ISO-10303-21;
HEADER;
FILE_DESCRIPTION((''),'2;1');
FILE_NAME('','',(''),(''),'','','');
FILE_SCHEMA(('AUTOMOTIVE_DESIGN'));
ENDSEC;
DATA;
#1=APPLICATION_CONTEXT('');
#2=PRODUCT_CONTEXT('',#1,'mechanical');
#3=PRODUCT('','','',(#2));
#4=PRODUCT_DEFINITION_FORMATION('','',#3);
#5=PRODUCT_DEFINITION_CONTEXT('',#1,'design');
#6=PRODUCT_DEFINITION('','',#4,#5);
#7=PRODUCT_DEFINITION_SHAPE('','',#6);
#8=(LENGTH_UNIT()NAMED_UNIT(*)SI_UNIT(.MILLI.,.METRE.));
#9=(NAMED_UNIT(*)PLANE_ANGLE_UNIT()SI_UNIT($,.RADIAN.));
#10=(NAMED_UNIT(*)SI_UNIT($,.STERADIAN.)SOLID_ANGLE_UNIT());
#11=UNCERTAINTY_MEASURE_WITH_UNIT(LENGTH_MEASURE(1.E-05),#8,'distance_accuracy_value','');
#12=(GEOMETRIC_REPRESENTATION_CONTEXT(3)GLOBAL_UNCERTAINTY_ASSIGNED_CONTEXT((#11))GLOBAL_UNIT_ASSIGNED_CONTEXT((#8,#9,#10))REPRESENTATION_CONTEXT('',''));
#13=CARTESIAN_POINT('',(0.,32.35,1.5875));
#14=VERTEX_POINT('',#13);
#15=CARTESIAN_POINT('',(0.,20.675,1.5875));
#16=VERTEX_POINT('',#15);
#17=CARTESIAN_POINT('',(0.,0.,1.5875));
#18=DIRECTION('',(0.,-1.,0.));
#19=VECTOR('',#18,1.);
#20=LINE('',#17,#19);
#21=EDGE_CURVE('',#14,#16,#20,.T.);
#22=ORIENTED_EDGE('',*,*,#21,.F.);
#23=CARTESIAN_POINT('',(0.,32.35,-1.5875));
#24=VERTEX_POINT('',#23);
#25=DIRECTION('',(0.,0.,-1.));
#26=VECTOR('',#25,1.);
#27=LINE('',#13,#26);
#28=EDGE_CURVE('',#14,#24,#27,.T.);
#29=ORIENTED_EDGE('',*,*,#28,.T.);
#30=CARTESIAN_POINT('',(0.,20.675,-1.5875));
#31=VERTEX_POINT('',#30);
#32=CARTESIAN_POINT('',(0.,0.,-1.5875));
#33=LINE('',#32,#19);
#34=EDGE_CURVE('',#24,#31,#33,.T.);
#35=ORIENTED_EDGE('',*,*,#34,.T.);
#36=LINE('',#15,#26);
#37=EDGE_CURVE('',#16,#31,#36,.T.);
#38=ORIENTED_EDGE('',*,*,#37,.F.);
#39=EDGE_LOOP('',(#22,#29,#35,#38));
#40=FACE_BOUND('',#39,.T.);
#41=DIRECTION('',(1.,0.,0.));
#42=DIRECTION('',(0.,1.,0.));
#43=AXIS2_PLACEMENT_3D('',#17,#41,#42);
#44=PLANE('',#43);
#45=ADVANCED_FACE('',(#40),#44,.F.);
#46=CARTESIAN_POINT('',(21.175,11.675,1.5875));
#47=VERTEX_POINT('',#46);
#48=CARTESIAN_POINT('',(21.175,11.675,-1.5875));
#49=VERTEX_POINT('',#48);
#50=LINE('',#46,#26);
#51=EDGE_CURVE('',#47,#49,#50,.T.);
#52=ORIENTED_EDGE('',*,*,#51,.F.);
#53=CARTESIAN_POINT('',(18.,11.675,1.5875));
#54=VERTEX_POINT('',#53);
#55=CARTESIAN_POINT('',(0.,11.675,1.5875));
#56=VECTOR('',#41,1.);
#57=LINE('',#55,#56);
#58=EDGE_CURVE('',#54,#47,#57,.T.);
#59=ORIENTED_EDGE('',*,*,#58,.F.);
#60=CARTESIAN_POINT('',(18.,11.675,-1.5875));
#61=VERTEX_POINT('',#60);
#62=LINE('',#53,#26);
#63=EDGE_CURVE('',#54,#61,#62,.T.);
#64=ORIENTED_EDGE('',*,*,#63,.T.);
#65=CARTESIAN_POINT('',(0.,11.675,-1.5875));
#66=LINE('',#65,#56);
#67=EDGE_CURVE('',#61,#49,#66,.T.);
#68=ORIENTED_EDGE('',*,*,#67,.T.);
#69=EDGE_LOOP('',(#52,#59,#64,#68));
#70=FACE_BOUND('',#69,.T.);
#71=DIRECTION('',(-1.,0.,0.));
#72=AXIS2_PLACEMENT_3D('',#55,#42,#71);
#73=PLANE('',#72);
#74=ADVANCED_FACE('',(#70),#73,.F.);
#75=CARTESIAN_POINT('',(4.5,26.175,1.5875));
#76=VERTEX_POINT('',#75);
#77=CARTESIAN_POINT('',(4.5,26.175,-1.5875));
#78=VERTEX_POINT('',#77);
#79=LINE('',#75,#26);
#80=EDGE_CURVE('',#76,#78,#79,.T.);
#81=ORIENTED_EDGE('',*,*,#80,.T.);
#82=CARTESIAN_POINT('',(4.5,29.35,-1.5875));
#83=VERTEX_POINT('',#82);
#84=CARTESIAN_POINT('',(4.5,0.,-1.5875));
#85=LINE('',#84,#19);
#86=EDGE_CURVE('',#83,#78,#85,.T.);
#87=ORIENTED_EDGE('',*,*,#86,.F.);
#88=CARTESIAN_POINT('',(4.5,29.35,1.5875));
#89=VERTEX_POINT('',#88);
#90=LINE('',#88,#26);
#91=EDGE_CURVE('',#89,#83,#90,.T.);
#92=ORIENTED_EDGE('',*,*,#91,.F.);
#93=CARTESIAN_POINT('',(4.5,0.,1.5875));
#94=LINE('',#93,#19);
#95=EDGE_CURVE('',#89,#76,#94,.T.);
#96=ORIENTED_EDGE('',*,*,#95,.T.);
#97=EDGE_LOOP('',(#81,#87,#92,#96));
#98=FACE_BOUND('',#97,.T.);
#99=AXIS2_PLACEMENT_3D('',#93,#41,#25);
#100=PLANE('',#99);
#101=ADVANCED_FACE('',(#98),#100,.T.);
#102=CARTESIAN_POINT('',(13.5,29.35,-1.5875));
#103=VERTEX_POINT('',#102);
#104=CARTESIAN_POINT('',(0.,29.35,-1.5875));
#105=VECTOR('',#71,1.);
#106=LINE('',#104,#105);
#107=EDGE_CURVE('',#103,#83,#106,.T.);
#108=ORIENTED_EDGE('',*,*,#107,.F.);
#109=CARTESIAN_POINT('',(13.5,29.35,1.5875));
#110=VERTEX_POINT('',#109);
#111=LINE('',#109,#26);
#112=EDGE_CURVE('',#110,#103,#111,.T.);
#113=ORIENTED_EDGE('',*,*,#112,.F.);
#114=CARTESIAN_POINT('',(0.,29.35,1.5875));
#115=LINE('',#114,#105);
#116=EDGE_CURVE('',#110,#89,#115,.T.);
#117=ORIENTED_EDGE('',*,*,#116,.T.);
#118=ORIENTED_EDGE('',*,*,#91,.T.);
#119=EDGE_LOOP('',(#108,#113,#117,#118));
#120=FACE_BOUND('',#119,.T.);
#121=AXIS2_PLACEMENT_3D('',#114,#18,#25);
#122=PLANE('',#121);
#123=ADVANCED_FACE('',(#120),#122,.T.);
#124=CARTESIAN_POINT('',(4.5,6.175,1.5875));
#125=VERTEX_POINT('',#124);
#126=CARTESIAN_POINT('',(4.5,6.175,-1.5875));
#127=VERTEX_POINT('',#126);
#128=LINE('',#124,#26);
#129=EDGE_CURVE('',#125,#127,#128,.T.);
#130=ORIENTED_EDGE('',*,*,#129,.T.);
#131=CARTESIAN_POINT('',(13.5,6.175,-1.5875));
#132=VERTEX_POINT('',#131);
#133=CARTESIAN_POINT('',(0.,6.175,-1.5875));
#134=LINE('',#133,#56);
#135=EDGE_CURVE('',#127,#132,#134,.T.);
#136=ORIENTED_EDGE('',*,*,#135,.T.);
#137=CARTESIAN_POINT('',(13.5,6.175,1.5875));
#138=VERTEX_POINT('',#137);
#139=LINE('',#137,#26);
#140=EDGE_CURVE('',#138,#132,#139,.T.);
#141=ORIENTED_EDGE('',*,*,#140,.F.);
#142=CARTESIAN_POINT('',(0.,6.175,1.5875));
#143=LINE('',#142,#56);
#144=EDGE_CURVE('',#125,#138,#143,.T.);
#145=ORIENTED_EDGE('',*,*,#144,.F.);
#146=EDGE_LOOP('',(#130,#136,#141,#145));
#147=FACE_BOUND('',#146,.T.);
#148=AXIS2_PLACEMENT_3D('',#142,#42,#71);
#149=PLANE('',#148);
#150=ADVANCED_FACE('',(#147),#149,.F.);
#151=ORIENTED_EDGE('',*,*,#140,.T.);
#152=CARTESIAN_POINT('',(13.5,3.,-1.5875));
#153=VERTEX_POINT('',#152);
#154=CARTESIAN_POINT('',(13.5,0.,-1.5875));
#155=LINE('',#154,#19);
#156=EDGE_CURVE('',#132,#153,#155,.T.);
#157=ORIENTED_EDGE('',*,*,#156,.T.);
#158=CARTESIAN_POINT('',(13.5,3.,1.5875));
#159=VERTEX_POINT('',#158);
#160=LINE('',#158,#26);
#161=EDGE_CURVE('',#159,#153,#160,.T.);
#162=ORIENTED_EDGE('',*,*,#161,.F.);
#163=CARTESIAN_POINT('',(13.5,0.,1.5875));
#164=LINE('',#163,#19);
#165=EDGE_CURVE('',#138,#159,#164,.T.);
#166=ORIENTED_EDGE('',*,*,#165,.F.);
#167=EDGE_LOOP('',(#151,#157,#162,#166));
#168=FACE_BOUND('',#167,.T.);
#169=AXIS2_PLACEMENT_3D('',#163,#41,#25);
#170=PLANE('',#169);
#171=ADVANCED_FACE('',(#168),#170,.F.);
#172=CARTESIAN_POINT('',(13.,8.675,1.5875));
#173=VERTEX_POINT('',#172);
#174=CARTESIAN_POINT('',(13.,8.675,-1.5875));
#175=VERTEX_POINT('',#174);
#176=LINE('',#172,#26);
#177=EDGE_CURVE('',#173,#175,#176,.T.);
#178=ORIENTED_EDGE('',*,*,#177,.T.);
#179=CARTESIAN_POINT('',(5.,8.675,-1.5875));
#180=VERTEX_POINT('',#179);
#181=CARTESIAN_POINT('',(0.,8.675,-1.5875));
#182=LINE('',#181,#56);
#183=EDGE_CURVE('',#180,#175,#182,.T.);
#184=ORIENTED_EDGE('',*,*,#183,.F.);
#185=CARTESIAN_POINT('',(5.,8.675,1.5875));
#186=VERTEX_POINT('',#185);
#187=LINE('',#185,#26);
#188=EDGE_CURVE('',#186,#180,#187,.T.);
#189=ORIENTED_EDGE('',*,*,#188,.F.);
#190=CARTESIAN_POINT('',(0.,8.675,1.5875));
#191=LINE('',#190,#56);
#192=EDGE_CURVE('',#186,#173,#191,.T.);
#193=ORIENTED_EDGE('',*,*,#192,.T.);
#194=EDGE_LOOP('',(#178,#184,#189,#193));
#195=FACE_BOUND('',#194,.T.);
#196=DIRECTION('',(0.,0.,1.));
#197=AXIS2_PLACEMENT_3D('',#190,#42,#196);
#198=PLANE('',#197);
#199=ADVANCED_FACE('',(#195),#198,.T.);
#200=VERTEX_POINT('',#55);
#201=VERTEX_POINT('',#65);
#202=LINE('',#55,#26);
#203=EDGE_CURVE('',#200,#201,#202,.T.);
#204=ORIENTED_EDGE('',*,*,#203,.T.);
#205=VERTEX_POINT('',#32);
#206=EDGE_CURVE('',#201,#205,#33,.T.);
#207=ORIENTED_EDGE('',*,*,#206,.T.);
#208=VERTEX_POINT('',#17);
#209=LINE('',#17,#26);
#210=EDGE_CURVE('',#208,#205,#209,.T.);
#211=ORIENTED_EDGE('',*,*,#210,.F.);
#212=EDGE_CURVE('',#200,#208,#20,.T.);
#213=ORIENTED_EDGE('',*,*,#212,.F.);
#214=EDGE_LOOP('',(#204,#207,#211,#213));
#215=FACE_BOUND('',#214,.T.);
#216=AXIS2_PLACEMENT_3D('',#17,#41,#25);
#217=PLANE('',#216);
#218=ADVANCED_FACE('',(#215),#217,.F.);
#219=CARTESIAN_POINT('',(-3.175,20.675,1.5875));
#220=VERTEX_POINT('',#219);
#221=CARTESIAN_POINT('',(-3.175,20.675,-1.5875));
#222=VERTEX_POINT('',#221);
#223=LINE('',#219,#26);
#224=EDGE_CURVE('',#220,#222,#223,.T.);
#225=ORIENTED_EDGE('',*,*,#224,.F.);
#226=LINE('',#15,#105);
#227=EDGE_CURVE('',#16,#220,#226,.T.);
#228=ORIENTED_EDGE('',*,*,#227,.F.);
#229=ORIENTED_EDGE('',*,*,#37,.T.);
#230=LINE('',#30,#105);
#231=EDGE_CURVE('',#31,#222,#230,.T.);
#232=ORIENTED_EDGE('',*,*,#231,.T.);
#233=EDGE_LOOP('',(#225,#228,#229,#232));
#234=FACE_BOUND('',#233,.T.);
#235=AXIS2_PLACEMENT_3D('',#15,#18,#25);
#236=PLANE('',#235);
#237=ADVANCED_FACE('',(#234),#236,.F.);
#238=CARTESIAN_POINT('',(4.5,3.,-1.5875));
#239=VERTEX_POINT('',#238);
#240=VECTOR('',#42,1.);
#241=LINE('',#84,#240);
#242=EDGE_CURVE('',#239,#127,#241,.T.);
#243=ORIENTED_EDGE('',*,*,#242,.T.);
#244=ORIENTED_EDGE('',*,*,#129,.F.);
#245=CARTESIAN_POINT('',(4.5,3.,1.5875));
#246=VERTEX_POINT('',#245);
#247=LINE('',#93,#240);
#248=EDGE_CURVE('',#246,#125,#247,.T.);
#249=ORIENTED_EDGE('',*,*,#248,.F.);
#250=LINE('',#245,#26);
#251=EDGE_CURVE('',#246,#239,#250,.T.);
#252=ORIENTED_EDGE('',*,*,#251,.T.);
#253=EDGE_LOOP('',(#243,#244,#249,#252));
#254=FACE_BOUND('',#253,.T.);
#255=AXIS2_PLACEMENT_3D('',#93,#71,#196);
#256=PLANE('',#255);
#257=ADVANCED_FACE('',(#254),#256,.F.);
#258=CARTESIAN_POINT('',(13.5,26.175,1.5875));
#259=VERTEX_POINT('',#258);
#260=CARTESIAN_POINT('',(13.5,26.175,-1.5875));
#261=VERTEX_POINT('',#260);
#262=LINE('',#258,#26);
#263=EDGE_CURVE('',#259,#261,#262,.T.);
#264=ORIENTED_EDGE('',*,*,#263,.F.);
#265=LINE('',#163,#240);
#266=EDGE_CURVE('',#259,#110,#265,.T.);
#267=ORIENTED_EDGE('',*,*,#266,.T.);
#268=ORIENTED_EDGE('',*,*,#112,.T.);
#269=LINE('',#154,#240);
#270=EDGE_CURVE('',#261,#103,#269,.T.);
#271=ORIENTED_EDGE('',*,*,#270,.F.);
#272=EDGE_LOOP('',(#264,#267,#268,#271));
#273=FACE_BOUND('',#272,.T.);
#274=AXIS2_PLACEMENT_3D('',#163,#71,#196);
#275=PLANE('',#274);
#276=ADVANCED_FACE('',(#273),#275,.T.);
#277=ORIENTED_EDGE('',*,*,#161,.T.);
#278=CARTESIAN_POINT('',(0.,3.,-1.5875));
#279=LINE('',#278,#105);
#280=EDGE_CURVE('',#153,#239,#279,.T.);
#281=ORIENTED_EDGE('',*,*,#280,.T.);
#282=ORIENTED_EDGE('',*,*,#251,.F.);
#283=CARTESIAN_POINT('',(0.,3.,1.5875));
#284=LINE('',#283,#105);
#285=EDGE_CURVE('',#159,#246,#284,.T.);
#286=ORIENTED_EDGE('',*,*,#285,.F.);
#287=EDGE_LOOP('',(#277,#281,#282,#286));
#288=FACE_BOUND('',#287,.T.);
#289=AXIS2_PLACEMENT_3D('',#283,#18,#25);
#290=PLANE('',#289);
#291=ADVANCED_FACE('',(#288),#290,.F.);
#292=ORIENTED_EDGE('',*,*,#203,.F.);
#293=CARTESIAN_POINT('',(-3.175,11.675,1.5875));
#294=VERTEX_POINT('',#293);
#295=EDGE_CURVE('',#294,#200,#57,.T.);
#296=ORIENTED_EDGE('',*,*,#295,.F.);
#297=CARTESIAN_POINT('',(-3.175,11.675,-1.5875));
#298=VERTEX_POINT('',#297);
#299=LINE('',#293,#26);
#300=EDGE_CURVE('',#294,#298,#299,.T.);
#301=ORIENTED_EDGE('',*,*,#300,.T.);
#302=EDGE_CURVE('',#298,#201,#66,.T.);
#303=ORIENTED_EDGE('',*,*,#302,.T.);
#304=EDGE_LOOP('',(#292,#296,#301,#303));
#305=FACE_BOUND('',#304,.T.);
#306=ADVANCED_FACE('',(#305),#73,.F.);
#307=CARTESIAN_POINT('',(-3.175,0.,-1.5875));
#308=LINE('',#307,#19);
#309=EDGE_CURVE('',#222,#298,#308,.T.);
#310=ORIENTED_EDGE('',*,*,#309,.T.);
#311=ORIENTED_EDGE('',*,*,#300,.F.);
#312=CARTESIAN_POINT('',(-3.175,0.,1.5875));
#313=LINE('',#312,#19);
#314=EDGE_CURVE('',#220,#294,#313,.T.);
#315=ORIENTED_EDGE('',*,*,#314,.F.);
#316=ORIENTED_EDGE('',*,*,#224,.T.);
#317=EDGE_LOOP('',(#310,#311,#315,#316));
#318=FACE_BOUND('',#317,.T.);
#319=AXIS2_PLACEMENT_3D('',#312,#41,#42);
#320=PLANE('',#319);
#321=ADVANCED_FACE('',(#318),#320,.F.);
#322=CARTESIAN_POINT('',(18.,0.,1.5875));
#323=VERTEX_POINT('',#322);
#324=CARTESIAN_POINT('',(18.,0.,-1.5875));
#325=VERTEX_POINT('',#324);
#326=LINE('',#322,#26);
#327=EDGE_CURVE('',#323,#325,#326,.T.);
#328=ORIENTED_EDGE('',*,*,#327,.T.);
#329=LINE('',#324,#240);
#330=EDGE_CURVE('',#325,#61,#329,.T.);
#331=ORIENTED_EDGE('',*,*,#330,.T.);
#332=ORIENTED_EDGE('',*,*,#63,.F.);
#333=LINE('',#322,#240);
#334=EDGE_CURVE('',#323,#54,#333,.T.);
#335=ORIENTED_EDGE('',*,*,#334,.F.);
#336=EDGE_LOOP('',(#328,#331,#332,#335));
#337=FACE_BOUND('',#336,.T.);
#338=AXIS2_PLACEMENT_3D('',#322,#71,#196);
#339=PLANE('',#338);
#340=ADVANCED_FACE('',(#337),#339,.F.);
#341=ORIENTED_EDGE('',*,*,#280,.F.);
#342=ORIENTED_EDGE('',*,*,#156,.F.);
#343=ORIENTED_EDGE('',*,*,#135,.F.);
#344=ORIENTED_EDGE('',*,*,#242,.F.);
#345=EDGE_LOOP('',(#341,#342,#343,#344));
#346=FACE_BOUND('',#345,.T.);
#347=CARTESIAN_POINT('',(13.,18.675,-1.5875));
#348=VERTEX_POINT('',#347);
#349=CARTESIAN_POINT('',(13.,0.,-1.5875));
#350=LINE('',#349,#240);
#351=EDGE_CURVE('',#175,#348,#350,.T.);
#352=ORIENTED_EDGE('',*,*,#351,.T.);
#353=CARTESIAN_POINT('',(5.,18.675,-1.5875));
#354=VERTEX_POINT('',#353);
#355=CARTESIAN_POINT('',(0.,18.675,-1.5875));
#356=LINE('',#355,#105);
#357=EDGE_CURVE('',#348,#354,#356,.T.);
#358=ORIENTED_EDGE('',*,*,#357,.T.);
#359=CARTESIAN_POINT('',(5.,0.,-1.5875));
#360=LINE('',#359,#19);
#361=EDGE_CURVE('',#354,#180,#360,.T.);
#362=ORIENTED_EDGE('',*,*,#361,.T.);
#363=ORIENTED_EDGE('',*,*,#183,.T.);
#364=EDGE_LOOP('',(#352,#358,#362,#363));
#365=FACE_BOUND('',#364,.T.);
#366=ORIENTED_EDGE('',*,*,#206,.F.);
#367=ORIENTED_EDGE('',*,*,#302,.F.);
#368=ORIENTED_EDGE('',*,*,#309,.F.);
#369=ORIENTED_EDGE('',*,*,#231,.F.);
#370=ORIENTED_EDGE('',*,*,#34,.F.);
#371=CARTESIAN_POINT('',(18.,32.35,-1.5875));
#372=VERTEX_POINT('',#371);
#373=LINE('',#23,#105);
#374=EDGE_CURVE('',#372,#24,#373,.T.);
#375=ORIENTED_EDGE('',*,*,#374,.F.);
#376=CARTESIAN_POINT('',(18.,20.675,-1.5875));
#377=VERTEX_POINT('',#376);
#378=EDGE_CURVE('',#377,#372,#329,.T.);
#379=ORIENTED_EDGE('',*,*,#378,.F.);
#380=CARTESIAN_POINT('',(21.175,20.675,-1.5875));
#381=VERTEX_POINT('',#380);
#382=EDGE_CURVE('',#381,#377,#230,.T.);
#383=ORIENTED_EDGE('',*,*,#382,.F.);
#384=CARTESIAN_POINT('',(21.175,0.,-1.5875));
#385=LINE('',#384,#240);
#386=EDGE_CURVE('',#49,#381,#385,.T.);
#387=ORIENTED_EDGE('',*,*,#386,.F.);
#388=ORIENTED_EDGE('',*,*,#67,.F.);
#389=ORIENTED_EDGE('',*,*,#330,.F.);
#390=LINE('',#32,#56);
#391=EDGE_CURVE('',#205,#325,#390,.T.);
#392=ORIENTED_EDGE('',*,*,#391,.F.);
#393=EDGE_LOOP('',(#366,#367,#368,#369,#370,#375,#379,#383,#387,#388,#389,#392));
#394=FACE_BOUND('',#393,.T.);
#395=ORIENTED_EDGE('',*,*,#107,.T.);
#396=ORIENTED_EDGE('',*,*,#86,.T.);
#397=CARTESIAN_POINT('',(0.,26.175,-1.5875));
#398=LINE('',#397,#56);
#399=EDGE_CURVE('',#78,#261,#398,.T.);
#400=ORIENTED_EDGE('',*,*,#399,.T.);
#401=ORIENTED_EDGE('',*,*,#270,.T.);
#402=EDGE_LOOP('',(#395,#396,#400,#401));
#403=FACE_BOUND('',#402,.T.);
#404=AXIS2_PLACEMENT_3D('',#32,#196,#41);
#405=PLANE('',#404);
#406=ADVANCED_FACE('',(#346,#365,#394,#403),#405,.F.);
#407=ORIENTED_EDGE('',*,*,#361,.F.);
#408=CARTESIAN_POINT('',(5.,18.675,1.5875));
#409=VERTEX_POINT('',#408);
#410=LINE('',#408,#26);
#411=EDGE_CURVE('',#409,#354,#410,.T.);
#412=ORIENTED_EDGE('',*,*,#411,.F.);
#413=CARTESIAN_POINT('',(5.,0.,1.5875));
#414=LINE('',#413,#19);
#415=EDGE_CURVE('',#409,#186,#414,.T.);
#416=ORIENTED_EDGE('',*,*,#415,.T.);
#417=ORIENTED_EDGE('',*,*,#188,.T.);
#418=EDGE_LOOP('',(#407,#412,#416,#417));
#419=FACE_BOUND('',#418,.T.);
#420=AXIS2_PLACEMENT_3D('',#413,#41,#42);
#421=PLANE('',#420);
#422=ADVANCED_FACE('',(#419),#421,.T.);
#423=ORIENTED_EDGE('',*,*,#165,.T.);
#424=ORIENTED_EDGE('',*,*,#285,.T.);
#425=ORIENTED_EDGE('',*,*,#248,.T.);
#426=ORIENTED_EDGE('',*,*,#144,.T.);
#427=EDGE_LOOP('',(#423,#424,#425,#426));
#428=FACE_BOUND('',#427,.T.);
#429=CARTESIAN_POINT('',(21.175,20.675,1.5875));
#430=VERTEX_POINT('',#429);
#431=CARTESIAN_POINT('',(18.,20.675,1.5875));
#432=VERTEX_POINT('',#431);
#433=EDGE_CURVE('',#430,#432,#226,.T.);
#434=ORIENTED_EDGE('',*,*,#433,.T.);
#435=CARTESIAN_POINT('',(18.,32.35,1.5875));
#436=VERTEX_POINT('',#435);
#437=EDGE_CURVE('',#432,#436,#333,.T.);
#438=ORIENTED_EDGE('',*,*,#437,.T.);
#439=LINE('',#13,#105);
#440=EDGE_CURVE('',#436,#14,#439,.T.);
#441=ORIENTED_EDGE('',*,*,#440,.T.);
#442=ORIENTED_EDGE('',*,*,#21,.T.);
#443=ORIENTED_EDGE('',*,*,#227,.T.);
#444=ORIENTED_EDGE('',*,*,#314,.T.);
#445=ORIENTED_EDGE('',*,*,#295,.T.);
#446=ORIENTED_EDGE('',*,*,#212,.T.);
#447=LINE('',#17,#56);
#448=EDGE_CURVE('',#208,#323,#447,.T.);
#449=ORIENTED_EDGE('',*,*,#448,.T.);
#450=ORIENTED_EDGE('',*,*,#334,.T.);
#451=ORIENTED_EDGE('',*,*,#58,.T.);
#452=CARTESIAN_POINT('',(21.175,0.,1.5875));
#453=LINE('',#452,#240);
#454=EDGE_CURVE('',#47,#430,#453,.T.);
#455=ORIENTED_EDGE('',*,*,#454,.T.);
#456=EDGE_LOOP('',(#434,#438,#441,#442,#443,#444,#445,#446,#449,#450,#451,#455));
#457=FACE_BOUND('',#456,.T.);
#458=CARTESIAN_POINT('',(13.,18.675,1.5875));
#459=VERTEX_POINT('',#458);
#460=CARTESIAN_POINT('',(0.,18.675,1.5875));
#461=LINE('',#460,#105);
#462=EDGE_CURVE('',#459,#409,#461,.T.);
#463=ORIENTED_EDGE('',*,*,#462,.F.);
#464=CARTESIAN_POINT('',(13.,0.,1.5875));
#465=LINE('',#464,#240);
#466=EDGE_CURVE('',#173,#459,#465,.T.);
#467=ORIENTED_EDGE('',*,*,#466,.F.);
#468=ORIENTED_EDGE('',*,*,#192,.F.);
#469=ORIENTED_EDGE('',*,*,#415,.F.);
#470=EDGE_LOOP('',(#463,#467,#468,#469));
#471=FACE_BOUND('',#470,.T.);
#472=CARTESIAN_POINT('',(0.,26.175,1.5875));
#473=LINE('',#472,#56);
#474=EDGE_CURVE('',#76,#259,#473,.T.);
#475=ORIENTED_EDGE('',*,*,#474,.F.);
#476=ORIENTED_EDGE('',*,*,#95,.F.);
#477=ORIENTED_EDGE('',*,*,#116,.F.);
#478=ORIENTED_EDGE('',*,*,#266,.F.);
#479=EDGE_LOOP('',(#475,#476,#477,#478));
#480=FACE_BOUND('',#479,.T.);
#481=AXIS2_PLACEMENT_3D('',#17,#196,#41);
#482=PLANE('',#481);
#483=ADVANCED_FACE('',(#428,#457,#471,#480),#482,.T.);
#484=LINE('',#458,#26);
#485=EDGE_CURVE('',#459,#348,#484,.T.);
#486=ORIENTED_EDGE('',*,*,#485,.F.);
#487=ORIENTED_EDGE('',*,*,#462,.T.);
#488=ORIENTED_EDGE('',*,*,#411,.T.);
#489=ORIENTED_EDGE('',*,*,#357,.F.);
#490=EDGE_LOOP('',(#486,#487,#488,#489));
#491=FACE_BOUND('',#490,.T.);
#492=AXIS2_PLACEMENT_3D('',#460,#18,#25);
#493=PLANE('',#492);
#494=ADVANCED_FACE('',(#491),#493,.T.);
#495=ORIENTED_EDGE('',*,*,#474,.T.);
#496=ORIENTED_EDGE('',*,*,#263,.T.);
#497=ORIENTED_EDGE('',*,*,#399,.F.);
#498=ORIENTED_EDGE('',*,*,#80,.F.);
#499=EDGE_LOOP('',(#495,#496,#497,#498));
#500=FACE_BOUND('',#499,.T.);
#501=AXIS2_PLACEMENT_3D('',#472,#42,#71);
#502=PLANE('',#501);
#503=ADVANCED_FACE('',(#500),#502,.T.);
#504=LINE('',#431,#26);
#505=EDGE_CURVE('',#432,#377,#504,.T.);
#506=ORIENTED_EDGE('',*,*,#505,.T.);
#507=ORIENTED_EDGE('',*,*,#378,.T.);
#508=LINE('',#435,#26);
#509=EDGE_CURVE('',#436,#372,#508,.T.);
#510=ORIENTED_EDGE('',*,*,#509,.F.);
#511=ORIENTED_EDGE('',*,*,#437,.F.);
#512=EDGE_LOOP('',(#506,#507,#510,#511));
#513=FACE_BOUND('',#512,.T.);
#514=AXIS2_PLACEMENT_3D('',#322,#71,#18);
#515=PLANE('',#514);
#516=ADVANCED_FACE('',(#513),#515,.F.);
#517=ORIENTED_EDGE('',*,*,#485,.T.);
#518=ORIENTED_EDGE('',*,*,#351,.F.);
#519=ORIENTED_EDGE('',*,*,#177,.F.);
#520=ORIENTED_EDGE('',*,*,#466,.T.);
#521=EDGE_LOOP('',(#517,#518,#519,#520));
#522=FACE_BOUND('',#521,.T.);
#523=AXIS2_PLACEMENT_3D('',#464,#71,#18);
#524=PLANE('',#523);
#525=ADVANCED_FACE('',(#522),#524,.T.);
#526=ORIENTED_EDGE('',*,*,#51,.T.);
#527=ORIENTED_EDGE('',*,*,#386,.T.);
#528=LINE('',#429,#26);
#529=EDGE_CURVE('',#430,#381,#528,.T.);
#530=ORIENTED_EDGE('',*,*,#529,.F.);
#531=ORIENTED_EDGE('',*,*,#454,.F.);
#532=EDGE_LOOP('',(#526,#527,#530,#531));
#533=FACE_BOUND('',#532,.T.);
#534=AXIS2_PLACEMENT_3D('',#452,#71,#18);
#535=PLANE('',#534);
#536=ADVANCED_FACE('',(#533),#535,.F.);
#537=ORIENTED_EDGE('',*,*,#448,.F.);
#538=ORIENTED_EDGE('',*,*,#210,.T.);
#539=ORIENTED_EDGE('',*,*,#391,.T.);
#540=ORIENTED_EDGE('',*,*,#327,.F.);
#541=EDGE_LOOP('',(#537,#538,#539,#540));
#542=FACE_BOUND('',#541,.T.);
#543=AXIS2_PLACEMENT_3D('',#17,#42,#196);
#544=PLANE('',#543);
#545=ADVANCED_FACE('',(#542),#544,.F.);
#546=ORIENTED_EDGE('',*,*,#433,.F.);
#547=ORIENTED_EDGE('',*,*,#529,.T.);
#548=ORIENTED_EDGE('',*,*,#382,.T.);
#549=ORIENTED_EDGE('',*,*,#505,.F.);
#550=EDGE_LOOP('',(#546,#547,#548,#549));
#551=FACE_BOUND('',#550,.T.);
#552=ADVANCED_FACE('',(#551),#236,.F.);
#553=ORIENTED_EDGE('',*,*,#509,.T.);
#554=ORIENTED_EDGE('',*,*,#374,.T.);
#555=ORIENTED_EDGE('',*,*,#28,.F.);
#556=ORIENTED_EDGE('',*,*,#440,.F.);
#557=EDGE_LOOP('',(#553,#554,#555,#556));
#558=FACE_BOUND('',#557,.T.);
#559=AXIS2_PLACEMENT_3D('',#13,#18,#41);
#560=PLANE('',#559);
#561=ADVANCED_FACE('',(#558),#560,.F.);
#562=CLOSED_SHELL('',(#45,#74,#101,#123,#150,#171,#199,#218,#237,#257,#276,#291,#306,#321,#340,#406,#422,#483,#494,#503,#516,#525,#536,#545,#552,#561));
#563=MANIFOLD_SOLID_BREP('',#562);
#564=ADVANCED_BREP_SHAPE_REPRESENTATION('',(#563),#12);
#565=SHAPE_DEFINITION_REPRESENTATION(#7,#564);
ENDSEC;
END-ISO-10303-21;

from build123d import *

# Parameters (mm, degrees)
BOSS_EXTRUDE1_DEPTH = 1.5875


with BuildPart() as part:
    # Sketch2 → Boss-Extrude1 (new body, symmetric)
    with BuildSketch(Plane.XY):
        Polygon((0, 0), (18, 0), (18, 11.675), (21.175, 11.675), (21.175, 20.675), (18, 20.675), (18, 32.35), (0, 32.35), (0, 20.675), (-3.175, 20.675), (-3.175, 11.675), (0, 11.675), align=None)
        Polygon((9, 29.35), (4.5, 29.35), (4.5, 26.175), (13.5, 26.175), (13.5, 29.35), align=None, mode=Mode.SUBTRACT)
        Polygon((13.5, 3), (9, 3), (4.5, 3), (4.5, 6.175), (13.5, 6.175), align=None, mode=Mode.SUBTRACT)
        Polygon((9, 8.675), (13, 8.675), (13, 18.675), (5, 18.675), (5, 8.675), align=None, mode=Mode.SUBTRACT)
    extrude(amount=BOSS_EXTRUDE1_DEPTH, both=True)


solid = part.part
